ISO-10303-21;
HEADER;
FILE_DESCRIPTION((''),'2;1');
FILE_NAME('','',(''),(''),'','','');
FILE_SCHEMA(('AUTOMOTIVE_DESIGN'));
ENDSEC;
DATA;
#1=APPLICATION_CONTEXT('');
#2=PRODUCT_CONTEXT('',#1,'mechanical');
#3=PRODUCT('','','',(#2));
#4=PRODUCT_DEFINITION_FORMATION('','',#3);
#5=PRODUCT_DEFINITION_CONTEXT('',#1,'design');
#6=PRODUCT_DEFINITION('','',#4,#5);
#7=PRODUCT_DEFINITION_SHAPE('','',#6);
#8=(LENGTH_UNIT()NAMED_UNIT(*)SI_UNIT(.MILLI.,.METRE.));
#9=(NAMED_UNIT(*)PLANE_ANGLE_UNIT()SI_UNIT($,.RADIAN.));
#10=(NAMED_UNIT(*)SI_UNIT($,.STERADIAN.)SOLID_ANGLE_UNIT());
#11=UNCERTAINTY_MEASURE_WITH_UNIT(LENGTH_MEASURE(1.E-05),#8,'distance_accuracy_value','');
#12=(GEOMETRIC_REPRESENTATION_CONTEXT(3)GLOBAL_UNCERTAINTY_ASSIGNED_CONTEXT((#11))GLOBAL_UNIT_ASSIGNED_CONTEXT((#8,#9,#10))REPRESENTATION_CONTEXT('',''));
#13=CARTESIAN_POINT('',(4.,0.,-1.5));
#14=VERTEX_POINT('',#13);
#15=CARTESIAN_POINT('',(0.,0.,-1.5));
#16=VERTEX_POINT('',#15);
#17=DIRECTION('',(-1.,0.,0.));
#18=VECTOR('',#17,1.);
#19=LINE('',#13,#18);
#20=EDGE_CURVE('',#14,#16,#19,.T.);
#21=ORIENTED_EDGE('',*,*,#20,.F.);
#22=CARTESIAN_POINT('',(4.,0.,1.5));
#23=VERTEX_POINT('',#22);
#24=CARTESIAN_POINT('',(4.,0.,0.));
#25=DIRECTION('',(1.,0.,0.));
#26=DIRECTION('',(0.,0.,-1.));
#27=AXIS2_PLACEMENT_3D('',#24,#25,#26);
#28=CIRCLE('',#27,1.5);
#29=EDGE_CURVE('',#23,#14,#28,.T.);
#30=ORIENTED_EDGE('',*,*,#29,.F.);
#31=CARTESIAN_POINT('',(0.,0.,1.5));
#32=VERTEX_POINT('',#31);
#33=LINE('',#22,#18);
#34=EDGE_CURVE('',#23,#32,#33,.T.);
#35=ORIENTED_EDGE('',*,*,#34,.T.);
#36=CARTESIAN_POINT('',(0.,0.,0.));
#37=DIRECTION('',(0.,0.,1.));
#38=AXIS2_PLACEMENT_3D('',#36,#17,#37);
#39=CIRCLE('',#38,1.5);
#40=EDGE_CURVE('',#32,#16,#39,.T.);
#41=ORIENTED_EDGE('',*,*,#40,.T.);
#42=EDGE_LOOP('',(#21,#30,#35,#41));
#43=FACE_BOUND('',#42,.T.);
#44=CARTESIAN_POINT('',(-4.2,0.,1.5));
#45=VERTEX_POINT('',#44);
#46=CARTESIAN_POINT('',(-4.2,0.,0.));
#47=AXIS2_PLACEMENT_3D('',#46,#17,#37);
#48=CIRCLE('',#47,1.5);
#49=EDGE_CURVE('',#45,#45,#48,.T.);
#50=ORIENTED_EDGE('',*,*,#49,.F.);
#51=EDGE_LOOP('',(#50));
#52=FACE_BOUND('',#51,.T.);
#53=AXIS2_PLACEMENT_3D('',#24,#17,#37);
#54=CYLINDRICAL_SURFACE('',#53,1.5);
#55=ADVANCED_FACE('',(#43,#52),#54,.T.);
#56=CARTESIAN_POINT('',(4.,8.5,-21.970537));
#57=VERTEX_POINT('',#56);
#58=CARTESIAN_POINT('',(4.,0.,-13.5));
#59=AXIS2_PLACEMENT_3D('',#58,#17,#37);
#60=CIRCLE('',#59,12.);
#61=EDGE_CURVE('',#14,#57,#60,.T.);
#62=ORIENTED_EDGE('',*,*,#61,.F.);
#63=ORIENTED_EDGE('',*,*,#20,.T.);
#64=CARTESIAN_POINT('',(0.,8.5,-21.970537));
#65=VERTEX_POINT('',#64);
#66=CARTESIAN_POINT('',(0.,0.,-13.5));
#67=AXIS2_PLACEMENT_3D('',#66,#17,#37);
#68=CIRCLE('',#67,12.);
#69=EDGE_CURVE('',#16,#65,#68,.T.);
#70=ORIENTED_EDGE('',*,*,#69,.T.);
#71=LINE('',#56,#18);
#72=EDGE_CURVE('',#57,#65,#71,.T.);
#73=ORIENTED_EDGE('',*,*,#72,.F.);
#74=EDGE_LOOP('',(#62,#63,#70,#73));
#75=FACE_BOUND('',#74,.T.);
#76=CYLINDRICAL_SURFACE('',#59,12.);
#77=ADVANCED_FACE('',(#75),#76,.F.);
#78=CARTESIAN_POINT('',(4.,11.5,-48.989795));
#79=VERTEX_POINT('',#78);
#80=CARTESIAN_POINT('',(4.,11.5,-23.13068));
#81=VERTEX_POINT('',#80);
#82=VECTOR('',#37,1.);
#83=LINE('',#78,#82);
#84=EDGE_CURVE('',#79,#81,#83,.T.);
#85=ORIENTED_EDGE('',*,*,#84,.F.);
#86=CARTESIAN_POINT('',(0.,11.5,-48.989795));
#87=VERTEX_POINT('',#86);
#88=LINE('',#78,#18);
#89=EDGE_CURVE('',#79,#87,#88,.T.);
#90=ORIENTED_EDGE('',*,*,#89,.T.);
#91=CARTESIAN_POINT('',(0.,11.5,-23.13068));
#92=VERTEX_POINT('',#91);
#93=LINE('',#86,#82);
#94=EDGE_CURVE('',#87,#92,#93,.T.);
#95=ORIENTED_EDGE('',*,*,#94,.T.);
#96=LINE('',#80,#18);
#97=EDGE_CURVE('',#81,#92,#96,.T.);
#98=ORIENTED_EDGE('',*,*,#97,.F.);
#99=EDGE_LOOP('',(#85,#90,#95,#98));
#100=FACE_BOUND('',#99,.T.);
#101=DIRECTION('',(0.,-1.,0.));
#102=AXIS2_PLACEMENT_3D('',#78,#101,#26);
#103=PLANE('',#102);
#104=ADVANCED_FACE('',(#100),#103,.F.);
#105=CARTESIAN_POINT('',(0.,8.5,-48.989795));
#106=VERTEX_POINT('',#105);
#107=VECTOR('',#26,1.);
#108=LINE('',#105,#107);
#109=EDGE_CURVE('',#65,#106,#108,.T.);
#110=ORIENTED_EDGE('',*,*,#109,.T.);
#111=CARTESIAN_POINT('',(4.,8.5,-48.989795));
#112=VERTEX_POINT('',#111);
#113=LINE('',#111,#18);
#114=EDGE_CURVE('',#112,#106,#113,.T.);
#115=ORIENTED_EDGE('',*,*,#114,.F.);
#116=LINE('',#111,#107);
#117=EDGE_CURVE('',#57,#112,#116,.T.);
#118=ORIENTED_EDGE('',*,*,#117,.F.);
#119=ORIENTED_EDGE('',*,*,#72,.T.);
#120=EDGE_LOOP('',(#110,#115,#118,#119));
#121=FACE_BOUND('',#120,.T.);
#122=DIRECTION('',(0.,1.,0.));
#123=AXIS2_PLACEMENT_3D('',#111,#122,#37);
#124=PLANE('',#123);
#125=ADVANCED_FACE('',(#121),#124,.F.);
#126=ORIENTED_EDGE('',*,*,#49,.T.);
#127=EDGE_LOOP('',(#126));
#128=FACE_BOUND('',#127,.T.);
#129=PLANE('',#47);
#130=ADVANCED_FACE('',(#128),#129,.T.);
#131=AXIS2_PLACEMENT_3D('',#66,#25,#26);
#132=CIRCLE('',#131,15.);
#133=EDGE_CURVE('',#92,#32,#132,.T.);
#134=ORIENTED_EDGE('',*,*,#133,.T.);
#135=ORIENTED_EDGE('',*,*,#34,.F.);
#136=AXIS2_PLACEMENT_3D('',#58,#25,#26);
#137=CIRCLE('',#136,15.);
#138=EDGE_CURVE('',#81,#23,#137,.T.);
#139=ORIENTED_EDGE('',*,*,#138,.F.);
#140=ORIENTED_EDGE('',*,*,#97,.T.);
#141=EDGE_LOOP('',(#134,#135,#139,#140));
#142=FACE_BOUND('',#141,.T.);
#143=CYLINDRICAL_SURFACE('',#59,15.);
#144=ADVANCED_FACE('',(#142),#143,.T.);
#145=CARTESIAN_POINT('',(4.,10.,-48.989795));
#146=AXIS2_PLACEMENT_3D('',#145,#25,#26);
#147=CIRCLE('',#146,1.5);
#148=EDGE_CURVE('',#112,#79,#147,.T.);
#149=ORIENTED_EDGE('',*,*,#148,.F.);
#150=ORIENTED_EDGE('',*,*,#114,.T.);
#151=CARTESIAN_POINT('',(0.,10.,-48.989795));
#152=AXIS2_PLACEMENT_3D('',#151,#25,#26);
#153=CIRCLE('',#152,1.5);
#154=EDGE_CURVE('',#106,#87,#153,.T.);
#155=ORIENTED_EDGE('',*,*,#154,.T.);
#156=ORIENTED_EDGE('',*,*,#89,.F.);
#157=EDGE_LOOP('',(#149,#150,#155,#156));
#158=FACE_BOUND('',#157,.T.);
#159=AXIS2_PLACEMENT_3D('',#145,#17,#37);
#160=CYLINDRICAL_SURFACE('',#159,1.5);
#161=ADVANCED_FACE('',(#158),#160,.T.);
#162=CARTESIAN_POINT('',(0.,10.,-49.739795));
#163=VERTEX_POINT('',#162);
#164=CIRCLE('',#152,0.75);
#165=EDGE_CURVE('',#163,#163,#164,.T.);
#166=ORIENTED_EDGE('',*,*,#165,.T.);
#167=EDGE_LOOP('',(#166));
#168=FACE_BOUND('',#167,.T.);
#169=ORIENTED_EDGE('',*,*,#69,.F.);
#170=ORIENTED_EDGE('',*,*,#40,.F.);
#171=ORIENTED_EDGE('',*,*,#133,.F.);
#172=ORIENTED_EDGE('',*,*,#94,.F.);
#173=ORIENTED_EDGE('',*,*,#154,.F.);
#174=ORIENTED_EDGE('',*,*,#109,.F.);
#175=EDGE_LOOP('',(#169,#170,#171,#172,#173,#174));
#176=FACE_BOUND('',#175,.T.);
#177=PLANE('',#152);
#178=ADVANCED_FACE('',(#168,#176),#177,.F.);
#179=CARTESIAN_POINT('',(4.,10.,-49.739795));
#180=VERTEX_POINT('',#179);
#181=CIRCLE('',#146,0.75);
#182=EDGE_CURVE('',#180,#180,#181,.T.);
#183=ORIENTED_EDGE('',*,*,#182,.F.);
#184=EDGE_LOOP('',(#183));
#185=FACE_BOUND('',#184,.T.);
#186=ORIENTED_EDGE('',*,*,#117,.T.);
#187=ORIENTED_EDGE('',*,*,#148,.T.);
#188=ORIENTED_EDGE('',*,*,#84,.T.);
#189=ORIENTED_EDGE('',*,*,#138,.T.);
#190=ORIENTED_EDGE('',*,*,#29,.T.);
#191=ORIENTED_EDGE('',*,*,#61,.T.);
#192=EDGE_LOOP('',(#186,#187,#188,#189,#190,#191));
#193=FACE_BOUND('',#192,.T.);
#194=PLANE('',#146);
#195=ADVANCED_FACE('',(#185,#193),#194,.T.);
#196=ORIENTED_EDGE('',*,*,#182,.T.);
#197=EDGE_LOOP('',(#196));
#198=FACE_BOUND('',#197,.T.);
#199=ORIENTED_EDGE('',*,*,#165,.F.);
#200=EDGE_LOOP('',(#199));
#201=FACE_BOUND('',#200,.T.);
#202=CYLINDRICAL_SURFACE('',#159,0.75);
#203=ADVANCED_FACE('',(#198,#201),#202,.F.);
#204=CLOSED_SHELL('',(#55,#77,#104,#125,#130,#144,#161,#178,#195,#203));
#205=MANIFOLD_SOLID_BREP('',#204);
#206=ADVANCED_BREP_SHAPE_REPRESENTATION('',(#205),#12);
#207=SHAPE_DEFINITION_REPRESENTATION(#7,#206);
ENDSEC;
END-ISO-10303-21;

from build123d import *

# Parameters (mm, degrees)
SKETCH1_R           = 0.75
BOSS_EXTRUDE1_DEPTH = 4
BOSS_EXTRUDE2_START = 4.2
SKETCH2_R           = 1.5
BOSS_EXTRUDE2_DEPTH = 4.2


with BuildPart() as part:
    # Sketch1 → Boss-Extrude1 (new body)
    with BuildSketch(Plane(origin=(0, 0, 0), x_dir=(0, 0, -1), z_dir=(1, 0, 0))):
        with BuildLine():
            Line((48.989794856, 11.5), (23.130680142, 11.5))
            ThreePointArc((23.130680142, 11.5), (7.154143168, 13.591545205), (-1.5, 0))
            ThreePointArc((-1.5, 0), (0, -1.5), (1.5, 0))
            ThreePointArc((1.5, 0), (8.898176779, 11.08256392), (21.970537173, 8.5))
            Line((21.970537173, 8.5), (48.989794856, 8.5))
            ThreePointArc((48.989794856, 8.5), (50.489794856, 10), (48.989794856, 11.5))
        make_face()
        with Locations((48.989794856, 10)):
            Circle(SKETCH1_R, mode=Mode.SUBTRACT)
    extrude(amount=BOSS_EXTRUDE1_DEPTH)

    # Sketch2 → Boss-Extrude2 (add)
    with BuildSketch(Plane.ZY.offset(BOSS_EXTRUDE2_START)):
        Circle(SKETCH2_R)
    extrude(amount=-BOSS_EXTRUDE2_DEPTH)


solid = part.part
